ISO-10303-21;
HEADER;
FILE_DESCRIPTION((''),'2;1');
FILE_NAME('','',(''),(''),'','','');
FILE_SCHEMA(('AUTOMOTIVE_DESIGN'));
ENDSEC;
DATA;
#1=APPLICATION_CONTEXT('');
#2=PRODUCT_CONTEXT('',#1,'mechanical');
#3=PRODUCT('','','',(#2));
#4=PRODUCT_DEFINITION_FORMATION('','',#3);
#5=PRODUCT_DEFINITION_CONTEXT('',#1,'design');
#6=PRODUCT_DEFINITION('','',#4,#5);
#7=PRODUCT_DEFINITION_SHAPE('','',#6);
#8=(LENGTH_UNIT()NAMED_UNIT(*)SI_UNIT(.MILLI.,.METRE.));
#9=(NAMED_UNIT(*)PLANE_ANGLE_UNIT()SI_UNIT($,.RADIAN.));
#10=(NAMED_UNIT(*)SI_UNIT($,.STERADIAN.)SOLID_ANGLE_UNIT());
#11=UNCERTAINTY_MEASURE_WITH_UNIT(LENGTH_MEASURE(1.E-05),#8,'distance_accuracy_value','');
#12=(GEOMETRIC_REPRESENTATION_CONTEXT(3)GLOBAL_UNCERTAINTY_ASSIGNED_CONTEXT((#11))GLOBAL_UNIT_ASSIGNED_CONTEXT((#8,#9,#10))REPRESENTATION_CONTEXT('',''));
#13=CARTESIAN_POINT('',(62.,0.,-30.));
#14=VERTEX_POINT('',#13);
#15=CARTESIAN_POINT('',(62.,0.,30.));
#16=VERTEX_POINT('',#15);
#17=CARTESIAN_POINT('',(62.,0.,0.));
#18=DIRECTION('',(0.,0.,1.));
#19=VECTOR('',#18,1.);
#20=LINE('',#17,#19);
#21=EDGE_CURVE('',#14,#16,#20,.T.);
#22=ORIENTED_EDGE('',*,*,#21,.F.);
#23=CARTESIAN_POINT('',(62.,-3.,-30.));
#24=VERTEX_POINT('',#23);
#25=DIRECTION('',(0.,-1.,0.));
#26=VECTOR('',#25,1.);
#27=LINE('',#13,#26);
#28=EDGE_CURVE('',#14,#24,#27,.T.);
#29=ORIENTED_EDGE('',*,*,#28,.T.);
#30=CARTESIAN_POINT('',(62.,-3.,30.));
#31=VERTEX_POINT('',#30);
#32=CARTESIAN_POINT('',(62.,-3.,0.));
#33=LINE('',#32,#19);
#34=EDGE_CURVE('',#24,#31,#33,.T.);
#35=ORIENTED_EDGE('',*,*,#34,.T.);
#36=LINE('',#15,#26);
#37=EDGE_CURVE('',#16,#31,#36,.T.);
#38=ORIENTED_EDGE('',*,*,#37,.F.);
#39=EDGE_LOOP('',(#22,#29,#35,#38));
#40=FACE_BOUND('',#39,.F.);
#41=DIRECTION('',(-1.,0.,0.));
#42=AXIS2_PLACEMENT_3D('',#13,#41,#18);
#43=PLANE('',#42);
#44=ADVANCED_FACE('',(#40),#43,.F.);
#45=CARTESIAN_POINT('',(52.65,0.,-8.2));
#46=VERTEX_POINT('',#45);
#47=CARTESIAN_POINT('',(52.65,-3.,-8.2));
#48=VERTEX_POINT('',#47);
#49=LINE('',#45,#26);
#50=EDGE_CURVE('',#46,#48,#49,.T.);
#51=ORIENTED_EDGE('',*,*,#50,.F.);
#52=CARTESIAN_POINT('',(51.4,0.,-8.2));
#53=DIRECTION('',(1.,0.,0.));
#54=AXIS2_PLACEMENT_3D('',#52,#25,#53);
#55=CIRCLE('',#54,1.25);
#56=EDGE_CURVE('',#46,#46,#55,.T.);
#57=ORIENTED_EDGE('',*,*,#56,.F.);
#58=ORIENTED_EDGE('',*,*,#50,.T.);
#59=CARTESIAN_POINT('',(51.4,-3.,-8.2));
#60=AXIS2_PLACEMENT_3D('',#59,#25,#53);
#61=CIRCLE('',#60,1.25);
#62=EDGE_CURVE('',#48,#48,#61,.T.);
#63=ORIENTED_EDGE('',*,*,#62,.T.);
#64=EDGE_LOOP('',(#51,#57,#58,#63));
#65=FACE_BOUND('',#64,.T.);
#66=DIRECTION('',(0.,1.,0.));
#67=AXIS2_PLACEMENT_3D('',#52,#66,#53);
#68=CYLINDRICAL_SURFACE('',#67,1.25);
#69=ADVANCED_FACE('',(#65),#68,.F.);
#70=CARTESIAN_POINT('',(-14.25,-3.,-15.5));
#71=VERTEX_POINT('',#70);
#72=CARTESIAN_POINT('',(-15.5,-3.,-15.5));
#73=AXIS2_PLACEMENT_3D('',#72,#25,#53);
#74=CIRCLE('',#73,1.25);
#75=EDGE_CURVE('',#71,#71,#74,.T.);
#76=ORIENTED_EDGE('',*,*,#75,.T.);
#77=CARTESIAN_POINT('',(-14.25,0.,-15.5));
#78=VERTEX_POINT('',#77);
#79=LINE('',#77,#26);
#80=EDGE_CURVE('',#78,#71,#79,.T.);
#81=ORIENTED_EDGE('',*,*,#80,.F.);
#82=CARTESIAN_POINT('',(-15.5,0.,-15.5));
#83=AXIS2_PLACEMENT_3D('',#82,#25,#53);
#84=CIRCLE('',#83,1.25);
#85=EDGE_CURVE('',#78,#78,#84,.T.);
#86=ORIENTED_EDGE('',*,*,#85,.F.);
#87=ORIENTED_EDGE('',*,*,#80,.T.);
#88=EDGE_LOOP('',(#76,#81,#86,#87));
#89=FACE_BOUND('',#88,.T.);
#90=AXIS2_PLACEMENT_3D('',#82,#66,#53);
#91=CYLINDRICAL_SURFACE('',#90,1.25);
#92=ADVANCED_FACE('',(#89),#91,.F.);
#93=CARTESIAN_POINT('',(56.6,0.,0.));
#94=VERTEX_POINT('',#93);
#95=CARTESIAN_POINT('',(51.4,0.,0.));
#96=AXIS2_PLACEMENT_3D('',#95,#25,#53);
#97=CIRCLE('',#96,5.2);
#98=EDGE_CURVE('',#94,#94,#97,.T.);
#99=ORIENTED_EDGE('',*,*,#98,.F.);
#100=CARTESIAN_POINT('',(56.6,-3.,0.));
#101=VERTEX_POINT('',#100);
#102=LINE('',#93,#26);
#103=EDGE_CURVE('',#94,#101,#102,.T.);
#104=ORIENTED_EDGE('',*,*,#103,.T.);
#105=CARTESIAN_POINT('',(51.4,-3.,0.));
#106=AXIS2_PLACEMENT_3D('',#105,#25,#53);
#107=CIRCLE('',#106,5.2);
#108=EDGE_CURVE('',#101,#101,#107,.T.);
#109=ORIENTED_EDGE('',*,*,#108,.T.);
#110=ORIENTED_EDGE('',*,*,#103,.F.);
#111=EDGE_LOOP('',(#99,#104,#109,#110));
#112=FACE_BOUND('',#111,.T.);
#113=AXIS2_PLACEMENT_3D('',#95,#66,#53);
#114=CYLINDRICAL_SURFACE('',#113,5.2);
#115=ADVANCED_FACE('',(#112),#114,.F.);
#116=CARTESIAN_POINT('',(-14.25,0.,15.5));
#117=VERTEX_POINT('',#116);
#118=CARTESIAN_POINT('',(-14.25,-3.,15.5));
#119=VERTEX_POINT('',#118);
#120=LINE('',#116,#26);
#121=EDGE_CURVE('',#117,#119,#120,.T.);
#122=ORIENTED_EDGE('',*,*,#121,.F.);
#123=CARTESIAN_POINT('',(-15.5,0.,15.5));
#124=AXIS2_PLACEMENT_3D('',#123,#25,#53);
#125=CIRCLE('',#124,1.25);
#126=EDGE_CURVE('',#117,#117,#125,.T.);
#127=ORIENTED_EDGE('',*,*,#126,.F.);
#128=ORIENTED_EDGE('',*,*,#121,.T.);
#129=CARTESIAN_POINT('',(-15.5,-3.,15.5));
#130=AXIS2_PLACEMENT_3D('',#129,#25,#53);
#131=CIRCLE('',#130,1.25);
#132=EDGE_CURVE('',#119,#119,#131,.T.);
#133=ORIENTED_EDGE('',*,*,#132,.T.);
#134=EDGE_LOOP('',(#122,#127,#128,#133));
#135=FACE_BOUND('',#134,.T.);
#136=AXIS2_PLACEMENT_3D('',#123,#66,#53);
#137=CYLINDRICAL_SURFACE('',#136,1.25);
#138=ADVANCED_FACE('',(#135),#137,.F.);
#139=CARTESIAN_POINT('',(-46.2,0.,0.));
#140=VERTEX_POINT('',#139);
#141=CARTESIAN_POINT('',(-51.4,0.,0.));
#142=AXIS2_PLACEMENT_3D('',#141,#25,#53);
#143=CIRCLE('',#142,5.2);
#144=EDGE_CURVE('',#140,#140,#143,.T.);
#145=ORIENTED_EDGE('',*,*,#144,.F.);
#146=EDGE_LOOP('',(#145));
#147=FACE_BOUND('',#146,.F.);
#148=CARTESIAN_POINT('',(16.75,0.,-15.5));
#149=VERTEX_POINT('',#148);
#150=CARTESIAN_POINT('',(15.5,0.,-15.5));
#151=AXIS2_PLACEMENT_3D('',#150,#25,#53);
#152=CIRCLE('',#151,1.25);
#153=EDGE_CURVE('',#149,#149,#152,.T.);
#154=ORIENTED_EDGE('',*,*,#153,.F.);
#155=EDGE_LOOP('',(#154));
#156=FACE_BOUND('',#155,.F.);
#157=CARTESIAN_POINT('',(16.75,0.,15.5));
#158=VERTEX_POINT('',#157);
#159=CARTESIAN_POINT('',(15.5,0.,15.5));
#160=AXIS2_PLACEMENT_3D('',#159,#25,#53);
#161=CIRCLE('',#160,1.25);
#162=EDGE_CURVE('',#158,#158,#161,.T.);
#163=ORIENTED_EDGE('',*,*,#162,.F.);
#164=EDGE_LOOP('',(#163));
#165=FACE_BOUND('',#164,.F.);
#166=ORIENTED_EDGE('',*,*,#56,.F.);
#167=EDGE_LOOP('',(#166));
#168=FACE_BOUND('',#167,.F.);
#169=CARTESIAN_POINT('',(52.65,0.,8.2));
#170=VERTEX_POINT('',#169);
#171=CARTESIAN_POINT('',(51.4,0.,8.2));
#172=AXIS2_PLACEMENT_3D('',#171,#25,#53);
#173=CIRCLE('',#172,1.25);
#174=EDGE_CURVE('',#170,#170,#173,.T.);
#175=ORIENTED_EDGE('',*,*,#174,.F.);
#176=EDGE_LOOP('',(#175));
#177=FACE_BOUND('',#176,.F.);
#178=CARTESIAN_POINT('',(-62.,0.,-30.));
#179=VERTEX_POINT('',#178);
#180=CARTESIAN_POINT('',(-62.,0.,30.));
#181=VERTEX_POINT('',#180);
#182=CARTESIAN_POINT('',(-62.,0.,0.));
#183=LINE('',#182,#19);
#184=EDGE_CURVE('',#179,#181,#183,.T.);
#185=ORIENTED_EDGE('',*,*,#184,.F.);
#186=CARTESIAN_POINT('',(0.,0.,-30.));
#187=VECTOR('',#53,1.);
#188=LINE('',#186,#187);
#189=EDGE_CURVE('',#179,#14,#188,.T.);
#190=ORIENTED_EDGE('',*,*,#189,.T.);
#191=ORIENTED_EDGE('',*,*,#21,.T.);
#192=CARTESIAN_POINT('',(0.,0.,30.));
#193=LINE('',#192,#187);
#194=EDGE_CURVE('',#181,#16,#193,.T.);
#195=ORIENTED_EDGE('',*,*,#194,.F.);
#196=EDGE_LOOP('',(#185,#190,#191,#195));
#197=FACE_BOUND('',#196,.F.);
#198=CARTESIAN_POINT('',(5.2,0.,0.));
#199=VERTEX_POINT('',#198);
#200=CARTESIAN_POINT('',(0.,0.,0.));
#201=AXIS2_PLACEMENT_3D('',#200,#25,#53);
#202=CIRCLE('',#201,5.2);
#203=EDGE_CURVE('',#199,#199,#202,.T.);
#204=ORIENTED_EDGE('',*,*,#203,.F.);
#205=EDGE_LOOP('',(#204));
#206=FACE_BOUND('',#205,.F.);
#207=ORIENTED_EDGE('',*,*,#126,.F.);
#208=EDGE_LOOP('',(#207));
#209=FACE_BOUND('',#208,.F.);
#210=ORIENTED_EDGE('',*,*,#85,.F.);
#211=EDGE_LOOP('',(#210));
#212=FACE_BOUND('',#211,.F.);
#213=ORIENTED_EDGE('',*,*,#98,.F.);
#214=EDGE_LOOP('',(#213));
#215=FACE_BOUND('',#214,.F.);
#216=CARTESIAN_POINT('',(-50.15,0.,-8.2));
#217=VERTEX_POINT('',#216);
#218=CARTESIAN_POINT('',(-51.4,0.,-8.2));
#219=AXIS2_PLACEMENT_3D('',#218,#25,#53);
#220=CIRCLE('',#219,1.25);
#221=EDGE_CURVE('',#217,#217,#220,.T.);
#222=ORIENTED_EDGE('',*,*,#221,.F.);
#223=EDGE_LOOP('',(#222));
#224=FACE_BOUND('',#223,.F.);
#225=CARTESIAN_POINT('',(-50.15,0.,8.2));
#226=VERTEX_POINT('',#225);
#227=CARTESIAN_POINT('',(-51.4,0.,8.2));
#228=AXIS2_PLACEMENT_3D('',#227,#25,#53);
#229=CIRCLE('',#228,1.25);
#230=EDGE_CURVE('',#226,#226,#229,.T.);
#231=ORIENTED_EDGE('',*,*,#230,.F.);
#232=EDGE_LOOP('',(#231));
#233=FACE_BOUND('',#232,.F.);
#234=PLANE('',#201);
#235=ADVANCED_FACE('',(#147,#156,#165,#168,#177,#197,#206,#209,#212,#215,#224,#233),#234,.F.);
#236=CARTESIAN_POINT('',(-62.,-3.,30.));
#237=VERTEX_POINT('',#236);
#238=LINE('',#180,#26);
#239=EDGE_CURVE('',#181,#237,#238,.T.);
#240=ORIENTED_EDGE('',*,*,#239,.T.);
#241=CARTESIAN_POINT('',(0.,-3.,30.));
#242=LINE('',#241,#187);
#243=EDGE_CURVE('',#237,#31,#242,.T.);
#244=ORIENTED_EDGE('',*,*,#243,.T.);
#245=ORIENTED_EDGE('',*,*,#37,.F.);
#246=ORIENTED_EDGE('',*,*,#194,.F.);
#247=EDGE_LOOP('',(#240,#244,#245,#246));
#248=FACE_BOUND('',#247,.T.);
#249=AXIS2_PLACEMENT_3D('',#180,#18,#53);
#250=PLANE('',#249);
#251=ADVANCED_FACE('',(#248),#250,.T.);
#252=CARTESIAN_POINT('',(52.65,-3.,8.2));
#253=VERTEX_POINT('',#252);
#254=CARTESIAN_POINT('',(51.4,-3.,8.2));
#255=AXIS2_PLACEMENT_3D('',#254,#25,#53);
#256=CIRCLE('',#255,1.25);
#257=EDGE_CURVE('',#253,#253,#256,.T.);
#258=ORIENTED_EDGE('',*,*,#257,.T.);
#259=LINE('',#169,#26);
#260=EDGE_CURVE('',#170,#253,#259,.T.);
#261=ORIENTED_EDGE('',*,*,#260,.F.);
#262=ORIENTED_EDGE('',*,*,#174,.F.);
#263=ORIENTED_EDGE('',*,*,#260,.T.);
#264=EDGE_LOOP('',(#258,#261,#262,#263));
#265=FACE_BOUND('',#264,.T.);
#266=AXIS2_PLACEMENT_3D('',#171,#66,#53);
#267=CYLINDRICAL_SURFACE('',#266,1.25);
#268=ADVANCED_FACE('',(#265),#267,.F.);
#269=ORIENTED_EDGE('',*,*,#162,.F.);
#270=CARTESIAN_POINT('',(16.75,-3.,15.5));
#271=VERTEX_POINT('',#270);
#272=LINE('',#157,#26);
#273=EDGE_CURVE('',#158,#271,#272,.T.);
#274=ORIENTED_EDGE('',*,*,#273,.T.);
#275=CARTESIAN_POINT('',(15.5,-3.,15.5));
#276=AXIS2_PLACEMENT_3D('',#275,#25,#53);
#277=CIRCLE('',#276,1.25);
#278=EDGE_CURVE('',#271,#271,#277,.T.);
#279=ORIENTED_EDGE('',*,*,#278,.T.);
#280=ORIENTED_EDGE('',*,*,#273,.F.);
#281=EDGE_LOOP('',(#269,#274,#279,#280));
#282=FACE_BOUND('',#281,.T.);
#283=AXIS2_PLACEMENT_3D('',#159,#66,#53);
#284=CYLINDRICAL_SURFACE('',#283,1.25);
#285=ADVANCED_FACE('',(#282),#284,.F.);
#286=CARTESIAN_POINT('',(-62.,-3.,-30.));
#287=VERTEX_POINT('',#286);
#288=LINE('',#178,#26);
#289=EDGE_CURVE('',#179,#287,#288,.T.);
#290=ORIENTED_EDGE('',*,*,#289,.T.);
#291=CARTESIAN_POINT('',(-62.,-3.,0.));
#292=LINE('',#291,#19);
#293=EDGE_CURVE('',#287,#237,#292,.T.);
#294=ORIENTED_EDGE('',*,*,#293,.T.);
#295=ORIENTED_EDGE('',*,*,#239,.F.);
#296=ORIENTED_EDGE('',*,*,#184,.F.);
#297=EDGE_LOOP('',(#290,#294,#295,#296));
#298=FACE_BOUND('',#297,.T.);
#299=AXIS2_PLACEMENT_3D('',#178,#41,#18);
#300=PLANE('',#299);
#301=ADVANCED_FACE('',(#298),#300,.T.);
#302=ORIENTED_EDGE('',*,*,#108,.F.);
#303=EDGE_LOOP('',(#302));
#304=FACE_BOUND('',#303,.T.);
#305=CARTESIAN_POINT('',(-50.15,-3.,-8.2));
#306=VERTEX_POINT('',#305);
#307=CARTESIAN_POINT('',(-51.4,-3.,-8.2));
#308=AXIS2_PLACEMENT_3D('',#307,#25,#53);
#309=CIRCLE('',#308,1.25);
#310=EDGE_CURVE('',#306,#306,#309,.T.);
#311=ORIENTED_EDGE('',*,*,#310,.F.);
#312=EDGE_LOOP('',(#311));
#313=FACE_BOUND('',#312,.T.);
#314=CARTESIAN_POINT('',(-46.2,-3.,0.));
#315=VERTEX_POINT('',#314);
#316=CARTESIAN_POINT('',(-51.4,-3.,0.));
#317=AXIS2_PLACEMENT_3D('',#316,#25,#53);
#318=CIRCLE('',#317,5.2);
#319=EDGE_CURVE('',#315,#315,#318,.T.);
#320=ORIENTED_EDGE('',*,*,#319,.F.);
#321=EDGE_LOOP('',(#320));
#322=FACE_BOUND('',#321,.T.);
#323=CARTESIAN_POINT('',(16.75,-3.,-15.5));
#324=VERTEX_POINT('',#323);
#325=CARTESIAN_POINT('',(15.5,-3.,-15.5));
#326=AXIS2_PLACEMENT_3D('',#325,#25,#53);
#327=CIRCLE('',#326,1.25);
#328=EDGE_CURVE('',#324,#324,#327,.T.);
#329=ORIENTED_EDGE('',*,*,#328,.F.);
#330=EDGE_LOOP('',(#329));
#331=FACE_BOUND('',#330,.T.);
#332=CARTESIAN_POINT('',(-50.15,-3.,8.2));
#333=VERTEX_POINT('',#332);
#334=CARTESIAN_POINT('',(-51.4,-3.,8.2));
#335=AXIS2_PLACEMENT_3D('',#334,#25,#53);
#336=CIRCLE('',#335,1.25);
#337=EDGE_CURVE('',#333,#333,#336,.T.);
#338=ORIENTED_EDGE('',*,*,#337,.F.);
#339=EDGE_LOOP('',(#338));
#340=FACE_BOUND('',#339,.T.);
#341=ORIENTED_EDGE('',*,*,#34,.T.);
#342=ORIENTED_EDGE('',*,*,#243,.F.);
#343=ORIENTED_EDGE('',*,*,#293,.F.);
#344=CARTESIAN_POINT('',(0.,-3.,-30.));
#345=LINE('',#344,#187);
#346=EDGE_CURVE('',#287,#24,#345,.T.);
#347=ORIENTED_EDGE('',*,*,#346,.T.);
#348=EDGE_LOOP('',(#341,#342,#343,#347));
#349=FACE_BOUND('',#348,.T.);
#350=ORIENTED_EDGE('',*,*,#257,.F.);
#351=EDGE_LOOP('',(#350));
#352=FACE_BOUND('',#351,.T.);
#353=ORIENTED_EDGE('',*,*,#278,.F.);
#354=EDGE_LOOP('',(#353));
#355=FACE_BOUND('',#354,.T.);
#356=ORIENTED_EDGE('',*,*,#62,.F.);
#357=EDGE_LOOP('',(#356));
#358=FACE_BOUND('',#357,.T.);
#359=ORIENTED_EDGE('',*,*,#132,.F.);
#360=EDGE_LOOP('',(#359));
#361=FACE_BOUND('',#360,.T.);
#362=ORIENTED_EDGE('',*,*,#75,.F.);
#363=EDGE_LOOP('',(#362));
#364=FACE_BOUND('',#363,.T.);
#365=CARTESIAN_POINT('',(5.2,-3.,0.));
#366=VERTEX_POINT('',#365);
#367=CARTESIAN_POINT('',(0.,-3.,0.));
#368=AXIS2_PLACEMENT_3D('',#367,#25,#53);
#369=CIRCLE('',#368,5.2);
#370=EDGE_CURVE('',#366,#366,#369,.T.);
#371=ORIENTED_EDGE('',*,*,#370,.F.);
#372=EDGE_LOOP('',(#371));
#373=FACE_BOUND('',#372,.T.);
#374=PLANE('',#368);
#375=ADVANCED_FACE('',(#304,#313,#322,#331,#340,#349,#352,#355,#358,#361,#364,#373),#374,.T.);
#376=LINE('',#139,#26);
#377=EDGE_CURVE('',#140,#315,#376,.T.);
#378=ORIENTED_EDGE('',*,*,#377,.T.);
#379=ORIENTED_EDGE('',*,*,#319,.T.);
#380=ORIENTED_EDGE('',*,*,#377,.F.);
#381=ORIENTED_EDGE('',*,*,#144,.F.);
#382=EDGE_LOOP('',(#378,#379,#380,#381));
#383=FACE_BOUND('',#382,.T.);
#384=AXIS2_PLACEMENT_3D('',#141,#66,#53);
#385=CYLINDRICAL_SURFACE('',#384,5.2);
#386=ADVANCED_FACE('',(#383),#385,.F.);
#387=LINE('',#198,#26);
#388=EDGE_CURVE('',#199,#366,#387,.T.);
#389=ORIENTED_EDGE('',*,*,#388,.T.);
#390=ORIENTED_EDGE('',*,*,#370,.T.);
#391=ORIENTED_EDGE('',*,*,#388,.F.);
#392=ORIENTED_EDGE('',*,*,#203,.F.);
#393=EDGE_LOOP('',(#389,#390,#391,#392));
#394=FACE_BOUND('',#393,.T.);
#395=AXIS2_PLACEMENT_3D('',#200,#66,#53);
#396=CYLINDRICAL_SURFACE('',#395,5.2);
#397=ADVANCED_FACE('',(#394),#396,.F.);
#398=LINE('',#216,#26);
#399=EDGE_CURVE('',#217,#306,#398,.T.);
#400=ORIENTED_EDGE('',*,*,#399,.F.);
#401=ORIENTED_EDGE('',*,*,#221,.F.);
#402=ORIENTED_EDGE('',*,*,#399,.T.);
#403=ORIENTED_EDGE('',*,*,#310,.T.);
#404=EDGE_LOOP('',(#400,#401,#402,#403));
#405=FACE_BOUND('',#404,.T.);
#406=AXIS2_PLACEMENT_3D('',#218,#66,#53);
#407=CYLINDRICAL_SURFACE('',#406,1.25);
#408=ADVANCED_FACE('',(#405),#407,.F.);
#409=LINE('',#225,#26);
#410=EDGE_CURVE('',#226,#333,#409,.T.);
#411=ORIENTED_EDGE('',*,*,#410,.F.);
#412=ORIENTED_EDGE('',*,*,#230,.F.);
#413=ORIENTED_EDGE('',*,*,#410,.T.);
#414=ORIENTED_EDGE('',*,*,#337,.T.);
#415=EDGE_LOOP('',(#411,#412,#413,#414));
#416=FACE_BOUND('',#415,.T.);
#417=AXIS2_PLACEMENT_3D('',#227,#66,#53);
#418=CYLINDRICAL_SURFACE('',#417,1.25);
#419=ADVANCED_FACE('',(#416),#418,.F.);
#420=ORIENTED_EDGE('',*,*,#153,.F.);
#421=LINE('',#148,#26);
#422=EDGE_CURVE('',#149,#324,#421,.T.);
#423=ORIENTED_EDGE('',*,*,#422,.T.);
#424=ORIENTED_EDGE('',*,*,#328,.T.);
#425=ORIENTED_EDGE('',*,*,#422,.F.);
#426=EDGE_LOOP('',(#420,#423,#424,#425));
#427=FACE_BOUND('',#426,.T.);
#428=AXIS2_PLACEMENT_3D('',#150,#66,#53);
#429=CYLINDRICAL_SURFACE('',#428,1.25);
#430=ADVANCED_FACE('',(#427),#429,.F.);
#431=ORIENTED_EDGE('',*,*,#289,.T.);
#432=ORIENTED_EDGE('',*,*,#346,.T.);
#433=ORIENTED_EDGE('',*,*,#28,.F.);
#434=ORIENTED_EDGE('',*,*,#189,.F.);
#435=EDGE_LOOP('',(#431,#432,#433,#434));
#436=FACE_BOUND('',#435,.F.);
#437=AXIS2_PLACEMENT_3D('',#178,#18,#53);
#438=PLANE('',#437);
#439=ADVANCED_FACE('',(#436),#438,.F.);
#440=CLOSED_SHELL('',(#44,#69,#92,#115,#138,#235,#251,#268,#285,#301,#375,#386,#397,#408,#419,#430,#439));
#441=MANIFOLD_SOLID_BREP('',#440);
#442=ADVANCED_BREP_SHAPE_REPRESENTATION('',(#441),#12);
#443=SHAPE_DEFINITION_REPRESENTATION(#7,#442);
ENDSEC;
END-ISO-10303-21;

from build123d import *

# Parameters (mm, degrees)
F0_W     = 124
F0_H     = 60
F0_R     = 1.25
F0_R_2   = 5.2
F1_DEPTH = 3


with BuildPart() as f1:
    # F0 (on Front) → F1 (new body)
    with BuildSketch(Plane.XZ):
        Rectangle(F0_W, F0_H)
        with Locations((-15.5, -15.5)):
            Circle(F0_R, mode=Mode.SUBTRACT)
        with Locations((-51.4, -8.2)):
            Circle(F0_R, mode=Mode.SUBTRACT)
        with Locations((15.5, -15.5)):
            Circle(F0_R, mode=Mode.SUBTRACT)
        with Locations((51.4, -8.2)):
            Circle(F0_R, mode=Mode.SUBTRACT)
        with Locations((-51.4, 0)):
            Circle(F0_R_2, mode=Mode.SUBTRACT)
        with Locations((-51.4, 8.2)):
            Circle(F0_R, mode=Mode.SUBTRACT)
        with Locations((-15.5, 15.5)):
            Circle(F0_R, mode=Mode.SUBTRACT)
        Circle(F0_R_2, mode=Mode.SUBTRACT)
        with Locations((51.4, 0)):
            Circle(F0_R_2, mode=Mode.SUBTRACT)
        with Locations((51.4, 8.2)):
            Circle(F0_R, mode=Mode.SUBTRACT)
        with Locations((15.5, 15.5)):
            Circle(F0_R, mode=Mode.SUBTRACT)
    extrude(amount=F1_DEPTH)


solid = f1.part
